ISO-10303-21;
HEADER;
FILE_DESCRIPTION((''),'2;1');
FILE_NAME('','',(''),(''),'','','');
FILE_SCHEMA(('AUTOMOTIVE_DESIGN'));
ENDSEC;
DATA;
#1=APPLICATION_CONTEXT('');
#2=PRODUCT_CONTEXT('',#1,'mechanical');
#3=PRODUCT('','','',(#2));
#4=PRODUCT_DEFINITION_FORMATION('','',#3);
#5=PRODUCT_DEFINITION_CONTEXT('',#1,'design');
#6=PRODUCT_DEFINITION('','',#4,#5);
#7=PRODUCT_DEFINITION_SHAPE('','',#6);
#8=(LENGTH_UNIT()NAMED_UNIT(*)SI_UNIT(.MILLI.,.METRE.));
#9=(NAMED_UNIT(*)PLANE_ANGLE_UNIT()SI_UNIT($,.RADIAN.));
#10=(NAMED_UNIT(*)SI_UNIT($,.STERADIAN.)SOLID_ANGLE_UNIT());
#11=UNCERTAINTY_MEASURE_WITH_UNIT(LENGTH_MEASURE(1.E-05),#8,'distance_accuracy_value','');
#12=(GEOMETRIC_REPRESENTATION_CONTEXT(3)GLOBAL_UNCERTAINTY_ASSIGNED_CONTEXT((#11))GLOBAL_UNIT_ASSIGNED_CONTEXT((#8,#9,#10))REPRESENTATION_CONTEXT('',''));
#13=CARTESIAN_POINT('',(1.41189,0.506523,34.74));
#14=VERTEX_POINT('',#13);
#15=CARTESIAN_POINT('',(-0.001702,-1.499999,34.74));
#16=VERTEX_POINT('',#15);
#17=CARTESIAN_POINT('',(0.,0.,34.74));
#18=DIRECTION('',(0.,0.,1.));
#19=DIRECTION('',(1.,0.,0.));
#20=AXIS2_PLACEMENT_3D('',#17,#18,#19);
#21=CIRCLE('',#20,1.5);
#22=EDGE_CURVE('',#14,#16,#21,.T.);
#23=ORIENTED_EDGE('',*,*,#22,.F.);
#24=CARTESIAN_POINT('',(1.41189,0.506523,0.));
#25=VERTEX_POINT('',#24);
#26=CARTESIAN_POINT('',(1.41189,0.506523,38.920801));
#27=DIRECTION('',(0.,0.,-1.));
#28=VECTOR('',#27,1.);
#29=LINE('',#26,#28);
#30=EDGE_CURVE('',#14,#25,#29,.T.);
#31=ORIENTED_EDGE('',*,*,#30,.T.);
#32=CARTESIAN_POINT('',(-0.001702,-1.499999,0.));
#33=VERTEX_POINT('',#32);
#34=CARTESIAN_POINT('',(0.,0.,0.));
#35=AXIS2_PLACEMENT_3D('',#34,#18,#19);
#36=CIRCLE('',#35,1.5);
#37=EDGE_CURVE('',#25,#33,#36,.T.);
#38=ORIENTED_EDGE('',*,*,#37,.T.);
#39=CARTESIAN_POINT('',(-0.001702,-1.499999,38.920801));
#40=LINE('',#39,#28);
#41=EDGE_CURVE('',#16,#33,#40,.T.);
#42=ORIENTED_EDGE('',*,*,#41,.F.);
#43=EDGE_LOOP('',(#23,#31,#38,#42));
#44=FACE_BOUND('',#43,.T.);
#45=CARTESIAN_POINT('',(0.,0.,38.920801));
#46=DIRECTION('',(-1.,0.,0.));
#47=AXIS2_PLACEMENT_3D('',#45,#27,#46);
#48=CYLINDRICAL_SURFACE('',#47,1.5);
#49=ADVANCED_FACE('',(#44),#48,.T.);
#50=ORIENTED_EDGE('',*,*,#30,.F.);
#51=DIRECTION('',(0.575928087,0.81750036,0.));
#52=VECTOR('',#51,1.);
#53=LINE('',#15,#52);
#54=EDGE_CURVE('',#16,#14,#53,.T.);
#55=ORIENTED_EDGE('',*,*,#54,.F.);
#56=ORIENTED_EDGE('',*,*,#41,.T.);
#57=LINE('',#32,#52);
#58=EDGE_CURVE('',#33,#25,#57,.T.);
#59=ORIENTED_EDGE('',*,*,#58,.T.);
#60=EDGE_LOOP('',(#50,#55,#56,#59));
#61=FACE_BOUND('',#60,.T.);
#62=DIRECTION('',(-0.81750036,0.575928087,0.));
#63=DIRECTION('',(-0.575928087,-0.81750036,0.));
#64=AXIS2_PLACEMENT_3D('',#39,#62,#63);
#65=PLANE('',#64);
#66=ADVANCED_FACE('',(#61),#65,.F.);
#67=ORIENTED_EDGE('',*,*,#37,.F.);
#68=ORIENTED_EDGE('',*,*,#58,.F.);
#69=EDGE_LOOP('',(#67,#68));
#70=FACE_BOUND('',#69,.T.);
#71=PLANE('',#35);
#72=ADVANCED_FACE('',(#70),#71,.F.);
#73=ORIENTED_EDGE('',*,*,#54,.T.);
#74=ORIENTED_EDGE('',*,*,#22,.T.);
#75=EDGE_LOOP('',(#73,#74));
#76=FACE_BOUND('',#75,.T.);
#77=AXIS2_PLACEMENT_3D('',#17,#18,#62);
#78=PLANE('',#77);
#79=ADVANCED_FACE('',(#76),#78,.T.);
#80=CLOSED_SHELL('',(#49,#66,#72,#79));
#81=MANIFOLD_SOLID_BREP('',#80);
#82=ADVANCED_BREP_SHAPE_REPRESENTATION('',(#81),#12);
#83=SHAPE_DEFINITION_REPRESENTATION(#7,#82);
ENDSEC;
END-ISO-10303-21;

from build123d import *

# Parameters (mm, degrees)
BOSS_EXTRUDE1_DEPTH = 34.74


with BuildPart() as part:
    # Sketch1 → Boss-Extrude1 (new body)
    with BuildSketch(Plane.XY):
        with BuildLine():
            Line((-0.00170223, -1.499999034), (1.411890351, 0.506523085))
            ThreePointArc((1.411890351, 0.506523085), (-1.22625054, 0.86389213), (-0.00170223, -1.499999034))
        make_face()
    extrude(amount=BOSS_EXTRUDE1_DEPTH)


solid = part.part
